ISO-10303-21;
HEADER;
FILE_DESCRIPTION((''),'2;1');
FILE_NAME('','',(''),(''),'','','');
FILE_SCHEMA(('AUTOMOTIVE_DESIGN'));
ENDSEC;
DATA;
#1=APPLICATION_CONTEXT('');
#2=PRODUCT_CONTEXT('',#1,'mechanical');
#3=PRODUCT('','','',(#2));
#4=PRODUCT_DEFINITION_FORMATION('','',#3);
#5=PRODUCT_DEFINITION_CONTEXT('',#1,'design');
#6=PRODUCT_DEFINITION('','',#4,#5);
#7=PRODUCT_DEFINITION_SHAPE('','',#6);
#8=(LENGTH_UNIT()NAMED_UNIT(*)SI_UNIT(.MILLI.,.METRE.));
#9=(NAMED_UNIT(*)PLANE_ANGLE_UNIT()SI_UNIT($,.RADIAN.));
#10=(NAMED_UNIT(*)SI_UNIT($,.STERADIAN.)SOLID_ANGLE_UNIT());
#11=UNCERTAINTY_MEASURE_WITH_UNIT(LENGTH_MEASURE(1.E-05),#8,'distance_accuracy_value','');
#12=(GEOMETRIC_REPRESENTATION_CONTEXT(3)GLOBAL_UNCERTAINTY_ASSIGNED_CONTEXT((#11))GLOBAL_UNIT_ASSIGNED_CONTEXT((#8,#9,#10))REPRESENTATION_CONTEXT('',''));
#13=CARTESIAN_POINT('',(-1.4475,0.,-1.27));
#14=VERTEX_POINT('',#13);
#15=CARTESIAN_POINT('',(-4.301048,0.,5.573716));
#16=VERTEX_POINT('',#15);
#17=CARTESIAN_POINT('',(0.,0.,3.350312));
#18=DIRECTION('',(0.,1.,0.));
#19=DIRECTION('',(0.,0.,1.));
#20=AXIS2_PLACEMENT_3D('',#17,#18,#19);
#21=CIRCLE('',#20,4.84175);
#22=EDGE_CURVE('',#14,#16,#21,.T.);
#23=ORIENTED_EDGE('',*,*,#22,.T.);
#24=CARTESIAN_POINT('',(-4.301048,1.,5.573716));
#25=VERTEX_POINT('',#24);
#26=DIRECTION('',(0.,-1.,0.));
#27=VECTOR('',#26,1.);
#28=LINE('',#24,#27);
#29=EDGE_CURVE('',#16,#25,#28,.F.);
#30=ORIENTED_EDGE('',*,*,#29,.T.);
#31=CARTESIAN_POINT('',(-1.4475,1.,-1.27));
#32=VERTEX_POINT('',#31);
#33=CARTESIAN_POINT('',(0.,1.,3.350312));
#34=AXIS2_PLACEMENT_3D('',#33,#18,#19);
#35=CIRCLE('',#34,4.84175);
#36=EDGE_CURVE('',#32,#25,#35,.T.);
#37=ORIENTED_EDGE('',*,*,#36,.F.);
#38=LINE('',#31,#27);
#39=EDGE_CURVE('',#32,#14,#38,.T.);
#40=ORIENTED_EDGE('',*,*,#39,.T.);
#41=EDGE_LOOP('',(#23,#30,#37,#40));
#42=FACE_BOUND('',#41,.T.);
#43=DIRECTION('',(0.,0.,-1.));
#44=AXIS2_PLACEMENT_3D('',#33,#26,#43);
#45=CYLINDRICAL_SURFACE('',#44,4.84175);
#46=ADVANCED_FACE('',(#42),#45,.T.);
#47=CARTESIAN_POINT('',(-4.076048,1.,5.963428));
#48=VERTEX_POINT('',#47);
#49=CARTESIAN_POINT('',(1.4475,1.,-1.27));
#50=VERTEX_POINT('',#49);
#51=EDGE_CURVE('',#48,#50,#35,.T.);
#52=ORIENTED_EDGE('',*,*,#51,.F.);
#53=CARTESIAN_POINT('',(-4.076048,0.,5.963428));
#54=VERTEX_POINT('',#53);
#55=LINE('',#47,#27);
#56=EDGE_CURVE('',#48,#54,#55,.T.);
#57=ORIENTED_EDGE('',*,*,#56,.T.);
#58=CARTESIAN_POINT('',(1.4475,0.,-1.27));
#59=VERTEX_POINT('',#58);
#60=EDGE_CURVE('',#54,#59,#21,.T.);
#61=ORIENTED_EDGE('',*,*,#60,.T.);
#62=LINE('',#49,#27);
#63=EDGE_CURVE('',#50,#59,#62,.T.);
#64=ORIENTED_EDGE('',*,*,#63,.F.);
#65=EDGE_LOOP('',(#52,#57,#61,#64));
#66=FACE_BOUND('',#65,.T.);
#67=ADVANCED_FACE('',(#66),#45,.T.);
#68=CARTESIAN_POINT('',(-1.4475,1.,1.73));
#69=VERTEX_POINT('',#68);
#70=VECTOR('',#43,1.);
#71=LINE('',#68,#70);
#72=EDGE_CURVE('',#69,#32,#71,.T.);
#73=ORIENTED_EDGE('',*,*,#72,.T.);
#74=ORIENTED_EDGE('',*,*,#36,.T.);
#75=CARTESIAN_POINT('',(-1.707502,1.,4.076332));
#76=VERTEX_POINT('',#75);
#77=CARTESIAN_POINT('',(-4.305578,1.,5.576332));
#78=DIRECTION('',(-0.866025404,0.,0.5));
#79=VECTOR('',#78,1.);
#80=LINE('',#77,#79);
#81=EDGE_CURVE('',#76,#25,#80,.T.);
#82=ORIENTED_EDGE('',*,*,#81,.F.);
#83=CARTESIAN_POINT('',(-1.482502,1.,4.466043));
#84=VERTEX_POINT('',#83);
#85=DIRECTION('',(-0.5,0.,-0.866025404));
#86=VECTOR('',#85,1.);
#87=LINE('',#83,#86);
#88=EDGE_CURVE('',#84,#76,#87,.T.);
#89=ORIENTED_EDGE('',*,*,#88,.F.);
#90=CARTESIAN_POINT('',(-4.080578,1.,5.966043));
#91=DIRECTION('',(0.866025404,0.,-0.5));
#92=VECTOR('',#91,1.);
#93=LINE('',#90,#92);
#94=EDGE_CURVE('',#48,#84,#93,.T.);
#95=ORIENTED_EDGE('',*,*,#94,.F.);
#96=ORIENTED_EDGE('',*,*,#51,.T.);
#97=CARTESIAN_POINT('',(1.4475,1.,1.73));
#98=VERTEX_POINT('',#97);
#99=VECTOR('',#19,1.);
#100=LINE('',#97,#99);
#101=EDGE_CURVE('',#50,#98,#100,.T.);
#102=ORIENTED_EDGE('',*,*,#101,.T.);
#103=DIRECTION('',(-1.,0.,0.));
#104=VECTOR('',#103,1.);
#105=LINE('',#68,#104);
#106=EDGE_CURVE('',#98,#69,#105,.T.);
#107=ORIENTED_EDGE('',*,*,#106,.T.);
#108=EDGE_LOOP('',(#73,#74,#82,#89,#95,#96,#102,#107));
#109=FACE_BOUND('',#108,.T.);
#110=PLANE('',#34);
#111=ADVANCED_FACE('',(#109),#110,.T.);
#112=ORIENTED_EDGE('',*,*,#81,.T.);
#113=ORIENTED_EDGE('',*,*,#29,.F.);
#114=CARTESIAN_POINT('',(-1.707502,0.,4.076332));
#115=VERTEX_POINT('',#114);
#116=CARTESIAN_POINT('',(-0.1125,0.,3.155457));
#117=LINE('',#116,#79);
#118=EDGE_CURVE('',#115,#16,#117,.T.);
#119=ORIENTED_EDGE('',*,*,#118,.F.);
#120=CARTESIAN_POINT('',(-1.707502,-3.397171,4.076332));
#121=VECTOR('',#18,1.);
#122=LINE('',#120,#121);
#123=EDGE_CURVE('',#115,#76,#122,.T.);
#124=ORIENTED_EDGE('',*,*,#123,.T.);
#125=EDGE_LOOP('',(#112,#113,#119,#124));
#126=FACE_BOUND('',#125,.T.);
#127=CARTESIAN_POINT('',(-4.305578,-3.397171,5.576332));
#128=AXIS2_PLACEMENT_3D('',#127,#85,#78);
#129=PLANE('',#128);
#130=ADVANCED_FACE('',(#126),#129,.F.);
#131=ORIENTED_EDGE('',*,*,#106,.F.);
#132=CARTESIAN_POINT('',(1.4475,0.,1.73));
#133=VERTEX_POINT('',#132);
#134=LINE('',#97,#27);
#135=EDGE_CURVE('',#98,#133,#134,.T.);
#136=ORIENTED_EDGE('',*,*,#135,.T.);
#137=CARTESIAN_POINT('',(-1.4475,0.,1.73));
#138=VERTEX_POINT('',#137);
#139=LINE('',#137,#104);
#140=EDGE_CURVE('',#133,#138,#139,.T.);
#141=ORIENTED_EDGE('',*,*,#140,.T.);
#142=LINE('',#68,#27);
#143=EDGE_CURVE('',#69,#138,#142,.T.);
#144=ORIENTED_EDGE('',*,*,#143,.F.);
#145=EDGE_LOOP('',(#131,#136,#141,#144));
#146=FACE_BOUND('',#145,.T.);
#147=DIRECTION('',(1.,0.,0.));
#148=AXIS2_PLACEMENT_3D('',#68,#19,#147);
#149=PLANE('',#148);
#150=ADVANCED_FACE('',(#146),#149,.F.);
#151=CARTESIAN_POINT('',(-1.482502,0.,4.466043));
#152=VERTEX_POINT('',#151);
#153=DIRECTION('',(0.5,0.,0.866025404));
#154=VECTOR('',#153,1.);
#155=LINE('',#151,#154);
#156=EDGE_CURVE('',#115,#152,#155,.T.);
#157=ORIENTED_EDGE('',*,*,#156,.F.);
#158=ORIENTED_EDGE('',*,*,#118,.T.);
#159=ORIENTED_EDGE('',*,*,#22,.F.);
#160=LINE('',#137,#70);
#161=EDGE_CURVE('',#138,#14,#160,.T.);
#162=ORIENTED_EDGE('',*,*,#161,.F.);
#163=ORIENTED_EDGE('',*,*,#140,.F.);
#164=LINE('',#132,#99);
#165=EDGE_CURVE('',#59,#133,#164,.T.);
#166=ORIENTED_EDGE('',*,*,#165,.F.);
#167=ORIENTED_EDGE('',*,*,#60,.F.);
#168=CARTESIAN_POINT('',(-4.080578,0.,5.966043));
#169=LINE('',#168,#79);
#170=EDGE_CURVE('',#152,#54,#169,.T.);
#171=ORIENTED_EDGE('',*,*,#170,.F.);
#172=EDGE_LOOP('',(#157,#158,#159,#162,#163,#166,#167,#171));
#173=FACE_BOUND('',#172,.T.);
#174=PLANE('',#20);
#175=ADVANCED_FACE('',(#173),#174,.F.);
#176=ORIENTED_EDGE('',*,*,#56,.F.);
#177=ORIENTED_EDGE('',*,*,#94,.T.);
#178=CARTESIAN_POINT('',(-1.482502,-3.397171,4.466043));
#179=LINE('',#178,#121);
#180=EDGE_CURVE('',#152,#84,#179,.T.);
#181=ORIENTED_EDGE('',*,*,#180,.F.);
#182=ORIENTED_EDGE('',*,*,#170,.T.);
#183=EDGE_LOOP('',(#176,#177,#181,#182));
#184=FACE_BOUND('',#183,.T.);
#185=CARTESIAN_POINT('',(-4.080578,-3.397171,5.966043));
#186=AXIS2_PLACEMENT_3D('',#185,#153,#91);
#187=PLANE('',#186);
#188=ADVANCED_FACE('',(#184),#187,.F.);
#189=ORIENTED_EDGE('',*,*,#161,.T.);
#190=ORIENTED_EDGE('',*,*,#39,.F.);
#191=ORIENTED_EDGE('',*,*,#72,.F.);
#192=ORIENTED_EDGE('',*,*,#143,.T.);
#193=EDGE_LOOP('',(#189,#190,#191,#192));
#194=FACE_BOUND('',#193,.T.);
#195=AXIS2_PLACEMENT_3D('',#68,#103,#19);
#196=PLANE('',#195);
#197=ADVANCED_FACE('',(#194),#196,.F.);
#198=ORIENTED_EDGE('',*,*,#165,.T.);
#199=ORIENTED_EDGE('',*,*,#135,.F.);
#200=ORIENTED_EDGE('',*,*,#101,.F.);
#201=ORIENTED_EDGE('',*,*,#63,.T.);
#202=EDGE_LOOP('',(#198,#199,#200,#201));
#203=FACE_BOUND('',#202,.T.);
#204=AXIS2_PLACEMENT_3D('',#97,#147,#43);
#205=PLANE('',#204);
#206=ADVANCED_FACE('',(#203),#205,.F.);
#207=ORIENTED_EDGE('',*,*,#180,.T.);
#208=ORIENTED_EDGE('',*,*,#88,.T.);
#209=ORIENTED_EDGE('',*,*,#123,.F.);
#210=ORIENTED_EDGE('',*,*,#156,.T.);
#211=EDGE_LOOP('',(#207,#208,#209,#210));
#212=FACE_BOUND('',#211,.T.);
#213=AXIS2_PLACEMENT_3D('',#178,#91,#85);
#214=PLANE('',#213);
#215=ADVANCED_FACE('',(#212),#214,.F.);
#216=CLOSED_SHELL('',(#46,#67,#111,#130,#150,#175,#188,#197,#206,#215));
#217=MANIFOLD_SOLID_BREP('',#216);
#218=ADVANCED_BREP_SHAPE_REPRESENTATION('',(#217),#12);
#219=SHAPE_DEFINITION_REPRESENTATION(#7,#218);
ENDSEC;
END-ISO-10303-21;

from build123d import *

# Parameters (mm, degrees)
EXTRUDE_1_DEPTH     = 1
CUT_EXTRUDE_1_DEPTH = 1


with BuildPart() as part:
    # 스케치1 → 보스-돌출1 (new body)
    with BuildSketch(Plane(origin=(0, 0, 0), x_dir=(1, 0, 0), z_dir=(0, 1, 0))):
        with BuildLine():
            Line((-1.4475, -1.73), (1.4475, -1.73))
            Line((1.4475, -1.73), (1.4475, 1.27))
            ThreePointArc((1.4475, 1.27), (0, -8.192062176), (-1.4475, 1.27))
            Line((-1.4475, 1.27), (-1.4475, -1.73))
        make_face()
    extrude(amount=EXTRUDE_1_DEPTH)

    # 스케치2 → 컷-돌출1 (cut)
    with BuildSketch(Plane(origin=(0, 1, 0), x_dir=(1, 0, 0), z_dir=(0, 1, 0))):
        Polygon((-4.080578398, -5.96604295), (-4.305578398, -5.576331518), (-1.707502186, -4.076331518), (-1.482502186, -4.46604295), align=None)
    extrude(amount=-CUT_EXTRUDE_1_DEPTH, mode=Mode.SUBTRACT)


solid = part.part
